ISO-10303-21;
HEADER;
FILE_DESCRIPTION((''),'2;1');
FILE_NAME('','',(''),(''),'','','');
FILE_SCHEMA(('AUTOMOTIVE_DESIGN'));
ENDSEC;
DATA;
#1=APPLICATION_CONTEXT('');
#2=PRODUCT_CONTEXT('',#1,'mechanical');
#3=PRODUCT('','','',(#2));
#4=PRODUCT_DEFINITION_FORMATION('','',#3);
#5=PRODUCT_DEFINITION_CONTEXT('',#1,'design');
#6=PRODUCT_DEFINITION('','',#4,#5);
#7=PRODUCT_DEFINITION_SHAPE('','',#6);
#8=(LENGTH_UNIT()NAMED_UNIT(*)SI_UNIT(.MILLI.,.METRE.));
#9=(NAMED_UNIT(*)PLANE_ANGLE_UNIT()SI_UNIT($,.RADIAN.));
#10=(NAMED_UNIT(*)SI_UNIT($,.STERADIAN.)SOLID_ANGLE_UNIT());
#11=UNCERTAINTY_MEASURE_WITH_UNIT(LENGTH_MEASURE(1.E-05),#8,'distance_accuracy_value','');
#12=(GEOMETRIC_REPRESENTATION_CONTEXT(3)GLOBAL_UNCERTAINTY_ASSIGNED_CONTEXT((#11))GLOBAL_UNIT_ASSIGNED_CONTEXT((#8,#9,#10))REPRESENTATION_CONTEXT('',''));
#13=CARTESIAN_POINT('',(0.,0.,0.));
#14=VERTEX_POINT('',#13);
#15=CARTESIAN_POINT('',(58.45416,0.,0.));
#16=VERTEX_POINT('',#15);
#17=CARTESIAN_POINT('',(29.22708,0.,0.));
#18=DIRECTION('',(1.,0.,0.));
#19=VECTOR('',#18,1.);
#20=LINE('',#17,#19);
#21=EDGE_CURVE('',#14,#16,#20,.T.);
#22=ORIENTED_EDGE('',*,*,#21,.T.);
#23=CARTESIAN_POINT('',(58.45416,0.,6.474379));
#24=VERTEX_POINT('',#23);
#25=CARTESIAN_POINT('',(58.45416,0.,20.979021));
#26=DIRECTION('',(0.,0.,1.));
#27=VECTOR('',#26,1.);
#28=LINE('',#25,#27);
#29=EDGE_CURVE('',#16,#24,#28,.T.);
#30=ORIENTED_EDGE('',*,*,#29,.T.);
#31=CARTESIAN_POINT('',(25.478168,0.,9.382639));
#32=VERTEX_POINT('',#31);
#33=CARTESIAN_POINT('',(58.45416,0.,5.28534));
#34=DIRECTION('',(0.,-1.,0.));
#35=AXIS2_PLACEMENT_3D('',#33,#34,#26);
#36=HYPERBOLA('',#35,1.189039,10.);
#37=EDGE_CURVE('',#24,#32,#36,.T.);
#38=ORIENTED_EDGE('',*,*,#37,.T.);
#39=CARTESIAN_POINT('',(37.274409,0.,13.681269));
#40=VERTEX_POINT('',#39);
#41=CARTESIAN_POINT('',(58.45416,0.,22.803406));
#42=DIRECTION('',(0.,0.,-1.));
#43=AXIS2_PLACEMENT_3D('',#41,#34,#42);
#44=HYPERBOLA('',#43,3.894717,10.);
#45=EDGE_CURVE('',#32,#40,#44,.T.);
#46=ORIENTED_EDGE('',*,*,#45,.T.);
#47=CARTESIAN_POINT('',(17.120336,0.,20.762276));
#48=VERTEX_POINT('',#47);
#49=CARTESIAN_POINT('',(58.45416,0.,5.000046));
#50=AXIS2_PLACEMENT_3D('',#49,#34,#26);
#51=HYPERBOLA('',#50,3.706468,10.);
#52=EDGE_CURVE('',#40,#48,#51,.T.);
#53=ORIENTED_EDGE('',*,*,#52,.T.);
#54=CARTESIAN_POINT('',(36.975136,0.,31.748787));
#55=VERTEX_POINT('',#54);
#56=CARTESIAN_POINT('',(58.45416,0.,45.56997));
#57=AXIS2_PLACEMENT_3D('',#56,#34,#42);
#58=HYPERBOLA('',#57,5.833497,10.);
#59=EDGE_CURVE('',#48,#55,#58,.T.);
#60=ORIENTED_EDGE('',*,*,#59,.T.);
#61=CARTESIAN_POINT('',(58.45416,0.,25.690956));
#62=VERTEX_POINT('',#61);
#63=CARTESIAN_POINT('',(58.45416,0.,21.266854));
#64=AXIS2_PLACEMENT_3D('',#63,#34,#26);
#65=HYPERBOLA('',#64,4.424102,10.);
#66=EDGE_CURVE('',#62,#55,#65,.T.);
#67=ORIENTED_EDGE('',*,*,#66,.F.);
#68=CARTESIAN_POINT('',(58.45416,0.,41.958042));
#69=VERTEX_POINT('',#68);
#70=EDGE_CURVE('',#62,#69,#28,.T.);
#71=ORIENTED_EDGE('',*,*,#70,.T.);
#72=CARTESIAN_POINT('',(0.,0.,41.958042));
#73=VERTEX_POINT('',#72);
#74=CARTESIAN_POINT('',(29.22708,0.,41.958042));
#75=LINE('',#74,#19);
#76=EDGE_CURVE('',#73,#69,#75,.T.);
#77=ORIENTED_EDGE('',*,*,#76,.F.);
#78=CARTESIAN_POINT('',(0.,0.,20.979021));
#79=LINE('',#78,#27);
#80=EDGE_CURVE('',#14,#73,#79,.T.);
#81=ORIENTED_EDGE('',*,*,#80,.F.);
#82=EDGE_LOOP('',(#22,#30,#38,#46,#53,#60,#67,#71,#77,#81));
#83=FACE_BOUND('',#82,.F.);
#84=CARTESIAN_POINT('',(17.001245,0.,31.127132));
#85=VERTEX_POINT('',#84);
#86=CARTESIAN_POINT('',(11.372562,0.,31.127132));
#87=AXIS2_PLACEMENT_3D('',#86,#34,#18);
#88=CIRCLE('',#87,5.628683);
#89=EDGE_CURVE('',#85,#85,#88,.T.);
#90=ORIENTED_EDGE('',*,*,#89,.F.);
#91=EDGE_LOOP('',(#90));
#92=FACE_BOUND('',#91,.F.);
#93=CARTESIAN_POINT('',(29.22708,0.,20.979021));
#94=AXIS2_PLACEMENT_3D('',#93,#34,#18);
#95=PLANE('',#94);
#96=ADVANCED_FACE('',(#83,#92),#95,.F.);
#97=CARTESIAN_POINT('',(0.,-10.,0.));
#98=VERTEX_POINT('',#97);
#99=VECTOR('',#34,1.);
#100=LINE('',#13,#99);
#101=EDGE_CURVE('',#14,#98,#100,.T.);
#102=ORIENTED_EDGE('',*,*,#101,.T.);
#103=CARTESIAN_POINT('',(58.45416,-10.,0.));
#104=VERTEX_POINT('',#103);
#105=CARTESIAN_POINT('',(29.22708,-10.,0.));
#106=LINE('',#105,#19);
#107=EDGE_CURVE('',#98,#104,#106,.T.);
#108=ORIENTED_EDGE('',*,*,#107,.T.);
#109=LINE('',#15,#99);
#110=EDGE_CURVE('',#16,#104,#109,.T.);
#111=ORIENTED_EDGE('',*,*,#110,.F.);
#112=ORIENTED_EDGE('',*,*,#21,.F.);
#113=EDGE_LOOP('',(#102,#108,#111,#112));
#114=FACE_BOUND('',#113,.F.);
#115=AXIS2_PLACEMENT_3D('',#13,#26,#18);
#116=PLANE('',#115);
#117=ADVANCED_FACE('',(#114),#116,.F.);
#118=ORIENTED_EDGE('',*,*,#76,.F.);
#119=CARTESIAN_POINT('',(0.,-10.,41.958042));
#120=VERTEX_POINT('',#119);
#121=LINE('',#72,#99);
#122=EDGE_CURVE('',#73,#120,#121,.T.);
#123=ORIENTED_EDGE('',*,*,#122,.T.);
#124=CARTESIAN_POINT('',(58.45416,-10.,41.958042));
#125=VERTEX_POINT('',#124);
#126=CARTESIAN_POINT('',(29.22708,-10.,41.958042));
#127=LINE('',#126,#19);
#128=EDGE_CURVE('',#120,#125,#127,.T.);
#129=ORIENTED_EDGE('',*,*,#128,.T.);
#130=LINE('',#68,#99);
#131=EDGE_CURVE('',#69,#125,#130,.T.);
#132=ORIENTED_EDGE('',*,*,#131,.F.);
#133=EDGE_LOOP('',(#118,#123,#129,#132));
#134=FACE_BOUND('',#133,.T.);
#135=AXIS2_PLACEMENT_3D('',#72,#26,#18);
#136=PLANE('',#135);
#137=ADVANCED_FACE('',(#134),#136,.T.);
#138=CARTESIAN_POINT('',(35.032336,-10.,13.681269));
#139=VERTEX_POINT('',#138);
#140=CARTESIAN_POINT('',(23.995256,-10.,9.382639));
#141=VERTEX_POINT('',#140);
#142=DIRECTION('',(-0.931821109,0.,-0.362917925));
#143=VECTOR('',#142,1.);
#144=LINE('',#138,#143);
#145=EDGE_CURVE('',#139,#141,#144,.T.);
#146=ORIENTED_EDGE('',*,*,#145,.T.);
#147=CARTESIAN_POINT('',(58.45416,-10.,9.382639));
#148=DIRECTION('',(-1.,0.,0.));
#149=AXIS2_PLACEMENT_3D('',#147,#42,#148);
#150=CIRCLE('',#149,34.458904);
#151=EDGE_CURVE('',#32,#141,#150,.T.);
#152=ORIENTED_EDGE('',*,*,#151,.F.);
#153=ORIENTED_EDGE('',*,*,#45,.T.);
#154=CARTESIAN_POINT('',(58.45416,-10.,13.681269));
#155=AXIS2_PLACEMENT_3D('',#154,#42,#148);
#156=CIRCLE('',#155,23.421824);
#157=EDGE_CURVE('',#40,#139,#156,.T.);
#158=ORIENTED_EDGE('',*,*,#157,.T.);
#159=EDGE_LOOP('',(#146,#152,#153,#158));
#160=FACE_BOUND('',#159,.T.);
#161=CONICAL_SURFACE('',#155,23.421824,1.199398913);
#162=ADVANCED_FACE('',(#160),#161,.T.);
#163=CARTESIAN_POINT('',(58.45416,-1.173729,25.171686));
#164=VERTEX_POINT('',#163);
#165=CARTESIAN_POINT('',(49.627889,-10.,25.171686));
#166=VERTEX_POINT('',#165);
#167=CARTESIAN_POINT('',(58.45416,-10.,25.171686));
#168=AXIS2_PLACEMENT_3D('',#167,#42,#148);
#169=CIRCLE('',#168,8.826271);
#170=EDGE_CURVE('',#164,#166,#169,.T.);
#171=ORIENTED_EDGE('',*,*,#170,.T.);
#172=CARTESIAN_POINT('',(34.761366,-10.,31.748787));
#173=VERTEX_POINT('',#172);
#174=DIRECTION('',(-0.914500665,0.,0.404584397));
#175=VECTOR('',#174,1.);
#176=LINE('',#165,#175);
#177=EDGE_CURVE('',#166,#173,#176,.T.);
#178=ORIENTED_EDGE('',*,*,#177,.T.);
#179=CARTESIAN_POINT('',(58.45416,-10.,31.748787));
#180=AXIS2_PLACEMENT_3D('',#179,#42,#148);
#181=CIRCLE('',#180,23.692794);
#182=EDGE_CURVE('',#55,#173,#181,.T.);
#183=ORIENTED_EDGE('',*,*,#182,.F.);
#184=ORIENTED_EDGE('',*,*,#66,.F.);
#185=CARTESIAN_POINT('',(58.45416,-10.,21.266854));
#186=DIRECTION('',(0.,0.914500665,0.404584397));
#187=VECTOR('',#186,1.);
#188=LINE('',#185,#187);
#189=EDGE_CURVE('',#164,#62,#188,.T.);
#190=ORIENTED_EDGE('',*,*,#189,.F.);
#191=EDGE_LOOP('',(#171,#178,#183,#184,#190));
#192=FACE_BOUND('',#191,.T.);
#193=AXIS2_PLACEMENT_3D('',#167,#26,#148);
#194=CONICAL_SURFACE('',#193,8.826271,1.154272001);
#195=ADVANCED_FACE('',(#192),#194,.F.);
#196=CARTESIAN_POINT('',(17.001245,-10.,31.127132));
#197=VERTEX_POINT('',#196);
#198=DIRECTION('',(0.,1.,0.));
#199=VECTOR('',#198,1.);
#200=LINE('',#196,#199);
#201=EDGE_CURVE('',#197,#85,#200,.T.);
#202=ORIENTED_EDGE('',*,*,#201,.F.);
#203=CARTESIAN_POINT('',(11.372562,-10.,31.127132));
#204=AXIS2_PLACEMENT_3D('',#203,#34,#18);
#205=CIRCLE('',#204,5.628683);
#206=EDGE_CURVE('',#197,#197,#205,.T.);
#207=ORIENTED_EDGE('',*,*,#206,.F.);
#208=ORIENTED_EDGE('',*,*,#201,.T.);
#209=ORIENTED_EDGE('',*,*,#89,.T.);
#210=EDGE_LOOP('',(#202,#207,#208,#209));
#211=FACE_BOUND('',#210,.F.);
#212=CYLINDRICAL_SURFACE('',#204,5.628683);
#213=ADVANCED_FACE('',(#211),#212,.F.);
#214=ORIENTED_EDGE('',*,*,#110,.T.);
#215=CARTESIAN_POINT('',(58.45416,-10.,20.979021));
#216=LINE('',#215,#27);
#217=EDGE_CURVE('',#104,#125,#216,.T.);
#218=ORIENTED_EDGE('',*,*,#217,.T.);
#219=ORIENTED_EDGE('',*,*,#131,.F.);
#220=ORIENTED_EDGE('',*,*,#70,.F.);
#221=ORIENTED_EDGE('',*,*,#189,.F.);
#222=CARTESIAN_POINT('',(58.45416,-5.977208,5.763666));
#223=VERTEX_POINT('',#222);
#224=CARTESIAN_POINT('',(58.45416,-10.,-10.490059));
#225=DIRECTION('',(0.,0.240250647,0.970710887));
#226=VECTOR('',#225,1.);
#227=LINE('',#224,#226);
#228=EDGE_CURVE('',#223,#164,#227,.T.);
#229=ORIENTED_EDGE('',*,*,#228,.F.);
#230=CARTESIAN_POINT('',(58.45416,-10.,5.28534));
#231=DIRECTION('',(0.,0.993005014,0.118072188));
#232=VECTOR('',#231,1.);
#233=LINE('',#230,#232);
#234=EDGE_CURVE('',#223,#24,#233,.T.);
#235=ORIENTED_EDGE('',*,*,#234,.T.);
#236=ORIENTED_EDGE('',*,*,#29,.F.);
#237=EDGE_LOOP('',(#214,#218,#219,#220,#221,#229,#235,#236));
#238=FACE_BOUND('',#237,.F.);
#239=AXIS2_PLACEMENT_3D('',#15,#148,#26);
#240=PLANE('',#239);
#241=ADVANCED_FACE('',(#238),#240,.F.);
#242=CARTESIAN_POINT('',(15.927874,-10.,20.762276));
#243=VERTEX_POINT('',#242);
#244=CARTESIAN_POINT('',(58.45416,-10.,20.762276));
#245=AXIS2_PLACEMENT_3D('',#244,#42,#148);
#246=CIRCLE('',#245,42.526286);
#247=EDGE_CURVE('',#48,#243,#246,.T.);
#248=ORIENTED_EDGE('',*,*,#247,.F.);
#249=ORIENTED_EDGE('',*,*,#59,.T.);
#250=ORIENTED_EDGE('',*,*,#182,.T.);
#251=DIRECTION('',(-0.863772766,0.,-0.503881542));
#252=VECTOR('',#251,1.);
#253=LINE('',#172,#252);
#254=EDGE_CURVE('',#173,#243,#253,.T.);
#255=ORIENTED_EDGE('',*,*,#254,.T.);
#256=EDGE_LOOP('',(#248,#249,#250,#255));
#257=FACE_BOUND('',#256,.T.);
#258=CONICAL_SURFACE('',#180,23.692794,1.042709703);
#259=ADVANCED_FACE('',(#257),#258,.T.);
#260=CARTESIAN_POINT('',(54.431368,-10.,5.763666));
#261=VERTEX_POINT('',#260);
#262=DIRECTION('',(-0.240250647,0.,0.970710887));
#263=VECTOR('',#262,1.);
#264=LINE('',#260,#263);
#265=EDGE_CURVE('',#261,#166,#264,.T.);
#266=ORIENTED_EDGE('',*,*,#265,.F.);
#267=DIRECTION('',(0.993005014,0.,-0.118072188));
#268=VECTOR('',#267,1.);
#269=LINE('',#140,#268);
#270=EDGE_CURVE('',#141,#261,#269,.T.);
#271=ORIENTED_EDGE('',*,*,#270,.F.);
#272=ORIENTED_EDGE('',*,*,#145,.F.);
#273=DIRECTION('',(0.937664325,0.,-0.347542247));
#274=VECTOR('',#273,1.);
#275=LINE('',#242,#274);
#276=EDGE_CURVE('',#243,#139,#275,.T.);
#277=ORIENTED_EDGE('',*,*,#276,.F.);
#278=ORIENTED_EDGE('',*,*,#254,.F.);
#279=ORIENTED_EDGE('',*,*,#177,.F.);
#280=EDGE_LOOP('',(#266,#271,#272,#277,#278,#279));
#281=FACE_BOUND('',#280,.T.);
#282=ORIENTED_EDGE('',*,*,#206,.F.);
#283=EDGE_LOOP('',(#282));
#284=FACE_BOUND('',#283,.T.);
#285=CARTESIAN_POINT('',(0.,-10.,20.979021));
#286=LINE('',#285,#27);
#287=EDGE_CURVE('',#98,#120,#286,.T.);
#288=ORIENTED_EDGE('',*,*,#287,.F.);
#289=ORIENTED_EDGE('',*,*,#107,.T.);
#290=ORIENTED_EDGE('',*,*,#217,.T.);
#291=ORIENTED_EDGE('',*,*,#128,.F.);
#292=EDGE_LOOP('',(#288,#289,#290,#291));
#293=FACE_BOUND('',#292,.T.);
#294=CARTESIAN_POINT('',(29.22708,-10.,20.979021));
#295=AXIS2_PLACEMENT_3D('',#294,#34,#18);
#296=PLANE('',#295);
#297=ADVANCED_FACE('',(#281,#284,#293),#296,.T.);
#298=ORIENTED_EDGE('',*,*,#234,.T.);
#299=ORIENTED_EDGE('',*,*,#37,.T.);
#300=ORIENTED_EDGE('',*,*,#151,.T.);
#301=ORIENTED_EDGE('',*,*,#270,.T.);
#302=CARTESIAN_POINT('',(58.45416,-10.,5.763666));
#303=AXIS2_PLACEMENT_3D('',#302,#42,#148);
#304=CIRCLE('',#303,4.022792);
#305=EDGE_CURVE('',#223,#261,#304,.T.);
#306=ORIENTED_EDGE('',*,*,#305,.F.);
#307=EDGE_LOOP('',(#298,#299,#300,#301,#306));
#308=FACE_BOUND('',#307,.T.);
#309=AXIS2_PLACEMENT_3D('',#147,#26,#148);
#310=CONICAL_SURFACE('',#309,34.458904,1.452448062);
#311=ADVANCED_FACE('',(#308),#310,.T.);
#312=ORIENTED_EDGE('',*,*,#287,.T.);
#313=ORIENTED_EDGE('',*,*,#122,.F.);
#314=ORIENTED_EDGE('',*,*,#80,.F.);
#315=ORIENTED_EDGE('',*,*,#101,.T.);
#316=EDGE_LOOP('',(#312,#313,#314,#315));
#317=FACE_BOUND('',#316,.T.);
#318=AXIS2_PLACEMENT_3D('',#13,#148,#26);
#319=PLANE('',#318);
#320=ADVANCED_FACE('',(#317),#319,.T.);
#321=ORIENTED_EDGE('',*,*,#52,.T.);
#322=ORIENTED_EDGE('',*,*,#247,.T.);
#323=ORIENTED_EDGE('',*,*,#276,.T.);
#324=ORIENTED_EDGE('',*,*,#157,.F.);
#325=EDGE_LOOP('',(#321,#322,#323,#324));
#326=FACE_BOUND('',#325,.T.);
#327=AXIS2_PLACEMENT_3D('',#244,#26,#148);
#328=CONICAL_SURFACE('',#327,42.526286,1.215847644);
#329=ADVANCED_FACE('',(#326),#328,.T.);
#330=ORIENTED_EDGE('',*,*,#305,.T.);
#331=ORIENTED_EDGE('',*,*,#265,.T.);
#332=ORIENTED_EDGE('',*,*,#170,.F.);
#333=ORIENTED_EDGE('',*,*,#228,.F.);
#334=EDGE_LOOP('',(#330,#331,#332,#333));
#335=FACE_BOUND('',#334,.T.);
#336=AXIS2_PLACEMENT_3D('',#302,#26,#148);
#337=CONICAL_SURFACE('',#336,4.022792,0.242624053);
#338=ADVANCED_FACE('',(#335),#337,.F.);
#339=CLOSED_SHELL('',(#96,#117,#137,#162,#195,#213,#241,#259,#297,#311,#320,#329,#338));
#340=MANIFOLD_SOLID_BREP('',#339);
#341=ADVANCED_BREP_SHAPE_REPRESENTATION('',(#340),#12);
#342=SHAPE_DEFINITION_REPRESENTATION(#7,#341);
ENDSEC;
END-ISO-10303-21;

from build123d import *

# Parameters (mm, degrees)
F0_W     = 58.45416
F0_H     = 41.958041
F1_DEPTH = 10
F2_R     = 5.628683
F3_DEPTH = 10.001


with BuildPart() as f1:
    # F0 (on Front) → F1 (new body)
    with BuildSketch(Plane.XZ):
        with Locations((29.22708, 20.979021)):
            Rectangle(F0_W, F0_H)
    extrude(amount=F1_DEPTH)

    # F2 (on face) → F3 (cut, through all)
    with BuildSketch(Plane.XZ.offset(10)):
        with Locations((11.372562, 31.127132)):
            Circle(F2_R)
    extrude(amount=-F3_DEPTH, mode=Mode.SUBTRACT)

    # F4 (on face) → F5 (revolve)
    with BuildSketch(Plane.XZ.offset(10)):
        Polygon((49.627889, 25.171686), (34.761366, 31.748787), (15.927874, 20.762276), (35.032336, 13.681269), (23.995256, 9.382639), (54.431368, 5.763666), align=None)
    revolve(axis=Axis((58.45416, -10, 20.979021), (0, 0, -1)))


solid = f1.part
